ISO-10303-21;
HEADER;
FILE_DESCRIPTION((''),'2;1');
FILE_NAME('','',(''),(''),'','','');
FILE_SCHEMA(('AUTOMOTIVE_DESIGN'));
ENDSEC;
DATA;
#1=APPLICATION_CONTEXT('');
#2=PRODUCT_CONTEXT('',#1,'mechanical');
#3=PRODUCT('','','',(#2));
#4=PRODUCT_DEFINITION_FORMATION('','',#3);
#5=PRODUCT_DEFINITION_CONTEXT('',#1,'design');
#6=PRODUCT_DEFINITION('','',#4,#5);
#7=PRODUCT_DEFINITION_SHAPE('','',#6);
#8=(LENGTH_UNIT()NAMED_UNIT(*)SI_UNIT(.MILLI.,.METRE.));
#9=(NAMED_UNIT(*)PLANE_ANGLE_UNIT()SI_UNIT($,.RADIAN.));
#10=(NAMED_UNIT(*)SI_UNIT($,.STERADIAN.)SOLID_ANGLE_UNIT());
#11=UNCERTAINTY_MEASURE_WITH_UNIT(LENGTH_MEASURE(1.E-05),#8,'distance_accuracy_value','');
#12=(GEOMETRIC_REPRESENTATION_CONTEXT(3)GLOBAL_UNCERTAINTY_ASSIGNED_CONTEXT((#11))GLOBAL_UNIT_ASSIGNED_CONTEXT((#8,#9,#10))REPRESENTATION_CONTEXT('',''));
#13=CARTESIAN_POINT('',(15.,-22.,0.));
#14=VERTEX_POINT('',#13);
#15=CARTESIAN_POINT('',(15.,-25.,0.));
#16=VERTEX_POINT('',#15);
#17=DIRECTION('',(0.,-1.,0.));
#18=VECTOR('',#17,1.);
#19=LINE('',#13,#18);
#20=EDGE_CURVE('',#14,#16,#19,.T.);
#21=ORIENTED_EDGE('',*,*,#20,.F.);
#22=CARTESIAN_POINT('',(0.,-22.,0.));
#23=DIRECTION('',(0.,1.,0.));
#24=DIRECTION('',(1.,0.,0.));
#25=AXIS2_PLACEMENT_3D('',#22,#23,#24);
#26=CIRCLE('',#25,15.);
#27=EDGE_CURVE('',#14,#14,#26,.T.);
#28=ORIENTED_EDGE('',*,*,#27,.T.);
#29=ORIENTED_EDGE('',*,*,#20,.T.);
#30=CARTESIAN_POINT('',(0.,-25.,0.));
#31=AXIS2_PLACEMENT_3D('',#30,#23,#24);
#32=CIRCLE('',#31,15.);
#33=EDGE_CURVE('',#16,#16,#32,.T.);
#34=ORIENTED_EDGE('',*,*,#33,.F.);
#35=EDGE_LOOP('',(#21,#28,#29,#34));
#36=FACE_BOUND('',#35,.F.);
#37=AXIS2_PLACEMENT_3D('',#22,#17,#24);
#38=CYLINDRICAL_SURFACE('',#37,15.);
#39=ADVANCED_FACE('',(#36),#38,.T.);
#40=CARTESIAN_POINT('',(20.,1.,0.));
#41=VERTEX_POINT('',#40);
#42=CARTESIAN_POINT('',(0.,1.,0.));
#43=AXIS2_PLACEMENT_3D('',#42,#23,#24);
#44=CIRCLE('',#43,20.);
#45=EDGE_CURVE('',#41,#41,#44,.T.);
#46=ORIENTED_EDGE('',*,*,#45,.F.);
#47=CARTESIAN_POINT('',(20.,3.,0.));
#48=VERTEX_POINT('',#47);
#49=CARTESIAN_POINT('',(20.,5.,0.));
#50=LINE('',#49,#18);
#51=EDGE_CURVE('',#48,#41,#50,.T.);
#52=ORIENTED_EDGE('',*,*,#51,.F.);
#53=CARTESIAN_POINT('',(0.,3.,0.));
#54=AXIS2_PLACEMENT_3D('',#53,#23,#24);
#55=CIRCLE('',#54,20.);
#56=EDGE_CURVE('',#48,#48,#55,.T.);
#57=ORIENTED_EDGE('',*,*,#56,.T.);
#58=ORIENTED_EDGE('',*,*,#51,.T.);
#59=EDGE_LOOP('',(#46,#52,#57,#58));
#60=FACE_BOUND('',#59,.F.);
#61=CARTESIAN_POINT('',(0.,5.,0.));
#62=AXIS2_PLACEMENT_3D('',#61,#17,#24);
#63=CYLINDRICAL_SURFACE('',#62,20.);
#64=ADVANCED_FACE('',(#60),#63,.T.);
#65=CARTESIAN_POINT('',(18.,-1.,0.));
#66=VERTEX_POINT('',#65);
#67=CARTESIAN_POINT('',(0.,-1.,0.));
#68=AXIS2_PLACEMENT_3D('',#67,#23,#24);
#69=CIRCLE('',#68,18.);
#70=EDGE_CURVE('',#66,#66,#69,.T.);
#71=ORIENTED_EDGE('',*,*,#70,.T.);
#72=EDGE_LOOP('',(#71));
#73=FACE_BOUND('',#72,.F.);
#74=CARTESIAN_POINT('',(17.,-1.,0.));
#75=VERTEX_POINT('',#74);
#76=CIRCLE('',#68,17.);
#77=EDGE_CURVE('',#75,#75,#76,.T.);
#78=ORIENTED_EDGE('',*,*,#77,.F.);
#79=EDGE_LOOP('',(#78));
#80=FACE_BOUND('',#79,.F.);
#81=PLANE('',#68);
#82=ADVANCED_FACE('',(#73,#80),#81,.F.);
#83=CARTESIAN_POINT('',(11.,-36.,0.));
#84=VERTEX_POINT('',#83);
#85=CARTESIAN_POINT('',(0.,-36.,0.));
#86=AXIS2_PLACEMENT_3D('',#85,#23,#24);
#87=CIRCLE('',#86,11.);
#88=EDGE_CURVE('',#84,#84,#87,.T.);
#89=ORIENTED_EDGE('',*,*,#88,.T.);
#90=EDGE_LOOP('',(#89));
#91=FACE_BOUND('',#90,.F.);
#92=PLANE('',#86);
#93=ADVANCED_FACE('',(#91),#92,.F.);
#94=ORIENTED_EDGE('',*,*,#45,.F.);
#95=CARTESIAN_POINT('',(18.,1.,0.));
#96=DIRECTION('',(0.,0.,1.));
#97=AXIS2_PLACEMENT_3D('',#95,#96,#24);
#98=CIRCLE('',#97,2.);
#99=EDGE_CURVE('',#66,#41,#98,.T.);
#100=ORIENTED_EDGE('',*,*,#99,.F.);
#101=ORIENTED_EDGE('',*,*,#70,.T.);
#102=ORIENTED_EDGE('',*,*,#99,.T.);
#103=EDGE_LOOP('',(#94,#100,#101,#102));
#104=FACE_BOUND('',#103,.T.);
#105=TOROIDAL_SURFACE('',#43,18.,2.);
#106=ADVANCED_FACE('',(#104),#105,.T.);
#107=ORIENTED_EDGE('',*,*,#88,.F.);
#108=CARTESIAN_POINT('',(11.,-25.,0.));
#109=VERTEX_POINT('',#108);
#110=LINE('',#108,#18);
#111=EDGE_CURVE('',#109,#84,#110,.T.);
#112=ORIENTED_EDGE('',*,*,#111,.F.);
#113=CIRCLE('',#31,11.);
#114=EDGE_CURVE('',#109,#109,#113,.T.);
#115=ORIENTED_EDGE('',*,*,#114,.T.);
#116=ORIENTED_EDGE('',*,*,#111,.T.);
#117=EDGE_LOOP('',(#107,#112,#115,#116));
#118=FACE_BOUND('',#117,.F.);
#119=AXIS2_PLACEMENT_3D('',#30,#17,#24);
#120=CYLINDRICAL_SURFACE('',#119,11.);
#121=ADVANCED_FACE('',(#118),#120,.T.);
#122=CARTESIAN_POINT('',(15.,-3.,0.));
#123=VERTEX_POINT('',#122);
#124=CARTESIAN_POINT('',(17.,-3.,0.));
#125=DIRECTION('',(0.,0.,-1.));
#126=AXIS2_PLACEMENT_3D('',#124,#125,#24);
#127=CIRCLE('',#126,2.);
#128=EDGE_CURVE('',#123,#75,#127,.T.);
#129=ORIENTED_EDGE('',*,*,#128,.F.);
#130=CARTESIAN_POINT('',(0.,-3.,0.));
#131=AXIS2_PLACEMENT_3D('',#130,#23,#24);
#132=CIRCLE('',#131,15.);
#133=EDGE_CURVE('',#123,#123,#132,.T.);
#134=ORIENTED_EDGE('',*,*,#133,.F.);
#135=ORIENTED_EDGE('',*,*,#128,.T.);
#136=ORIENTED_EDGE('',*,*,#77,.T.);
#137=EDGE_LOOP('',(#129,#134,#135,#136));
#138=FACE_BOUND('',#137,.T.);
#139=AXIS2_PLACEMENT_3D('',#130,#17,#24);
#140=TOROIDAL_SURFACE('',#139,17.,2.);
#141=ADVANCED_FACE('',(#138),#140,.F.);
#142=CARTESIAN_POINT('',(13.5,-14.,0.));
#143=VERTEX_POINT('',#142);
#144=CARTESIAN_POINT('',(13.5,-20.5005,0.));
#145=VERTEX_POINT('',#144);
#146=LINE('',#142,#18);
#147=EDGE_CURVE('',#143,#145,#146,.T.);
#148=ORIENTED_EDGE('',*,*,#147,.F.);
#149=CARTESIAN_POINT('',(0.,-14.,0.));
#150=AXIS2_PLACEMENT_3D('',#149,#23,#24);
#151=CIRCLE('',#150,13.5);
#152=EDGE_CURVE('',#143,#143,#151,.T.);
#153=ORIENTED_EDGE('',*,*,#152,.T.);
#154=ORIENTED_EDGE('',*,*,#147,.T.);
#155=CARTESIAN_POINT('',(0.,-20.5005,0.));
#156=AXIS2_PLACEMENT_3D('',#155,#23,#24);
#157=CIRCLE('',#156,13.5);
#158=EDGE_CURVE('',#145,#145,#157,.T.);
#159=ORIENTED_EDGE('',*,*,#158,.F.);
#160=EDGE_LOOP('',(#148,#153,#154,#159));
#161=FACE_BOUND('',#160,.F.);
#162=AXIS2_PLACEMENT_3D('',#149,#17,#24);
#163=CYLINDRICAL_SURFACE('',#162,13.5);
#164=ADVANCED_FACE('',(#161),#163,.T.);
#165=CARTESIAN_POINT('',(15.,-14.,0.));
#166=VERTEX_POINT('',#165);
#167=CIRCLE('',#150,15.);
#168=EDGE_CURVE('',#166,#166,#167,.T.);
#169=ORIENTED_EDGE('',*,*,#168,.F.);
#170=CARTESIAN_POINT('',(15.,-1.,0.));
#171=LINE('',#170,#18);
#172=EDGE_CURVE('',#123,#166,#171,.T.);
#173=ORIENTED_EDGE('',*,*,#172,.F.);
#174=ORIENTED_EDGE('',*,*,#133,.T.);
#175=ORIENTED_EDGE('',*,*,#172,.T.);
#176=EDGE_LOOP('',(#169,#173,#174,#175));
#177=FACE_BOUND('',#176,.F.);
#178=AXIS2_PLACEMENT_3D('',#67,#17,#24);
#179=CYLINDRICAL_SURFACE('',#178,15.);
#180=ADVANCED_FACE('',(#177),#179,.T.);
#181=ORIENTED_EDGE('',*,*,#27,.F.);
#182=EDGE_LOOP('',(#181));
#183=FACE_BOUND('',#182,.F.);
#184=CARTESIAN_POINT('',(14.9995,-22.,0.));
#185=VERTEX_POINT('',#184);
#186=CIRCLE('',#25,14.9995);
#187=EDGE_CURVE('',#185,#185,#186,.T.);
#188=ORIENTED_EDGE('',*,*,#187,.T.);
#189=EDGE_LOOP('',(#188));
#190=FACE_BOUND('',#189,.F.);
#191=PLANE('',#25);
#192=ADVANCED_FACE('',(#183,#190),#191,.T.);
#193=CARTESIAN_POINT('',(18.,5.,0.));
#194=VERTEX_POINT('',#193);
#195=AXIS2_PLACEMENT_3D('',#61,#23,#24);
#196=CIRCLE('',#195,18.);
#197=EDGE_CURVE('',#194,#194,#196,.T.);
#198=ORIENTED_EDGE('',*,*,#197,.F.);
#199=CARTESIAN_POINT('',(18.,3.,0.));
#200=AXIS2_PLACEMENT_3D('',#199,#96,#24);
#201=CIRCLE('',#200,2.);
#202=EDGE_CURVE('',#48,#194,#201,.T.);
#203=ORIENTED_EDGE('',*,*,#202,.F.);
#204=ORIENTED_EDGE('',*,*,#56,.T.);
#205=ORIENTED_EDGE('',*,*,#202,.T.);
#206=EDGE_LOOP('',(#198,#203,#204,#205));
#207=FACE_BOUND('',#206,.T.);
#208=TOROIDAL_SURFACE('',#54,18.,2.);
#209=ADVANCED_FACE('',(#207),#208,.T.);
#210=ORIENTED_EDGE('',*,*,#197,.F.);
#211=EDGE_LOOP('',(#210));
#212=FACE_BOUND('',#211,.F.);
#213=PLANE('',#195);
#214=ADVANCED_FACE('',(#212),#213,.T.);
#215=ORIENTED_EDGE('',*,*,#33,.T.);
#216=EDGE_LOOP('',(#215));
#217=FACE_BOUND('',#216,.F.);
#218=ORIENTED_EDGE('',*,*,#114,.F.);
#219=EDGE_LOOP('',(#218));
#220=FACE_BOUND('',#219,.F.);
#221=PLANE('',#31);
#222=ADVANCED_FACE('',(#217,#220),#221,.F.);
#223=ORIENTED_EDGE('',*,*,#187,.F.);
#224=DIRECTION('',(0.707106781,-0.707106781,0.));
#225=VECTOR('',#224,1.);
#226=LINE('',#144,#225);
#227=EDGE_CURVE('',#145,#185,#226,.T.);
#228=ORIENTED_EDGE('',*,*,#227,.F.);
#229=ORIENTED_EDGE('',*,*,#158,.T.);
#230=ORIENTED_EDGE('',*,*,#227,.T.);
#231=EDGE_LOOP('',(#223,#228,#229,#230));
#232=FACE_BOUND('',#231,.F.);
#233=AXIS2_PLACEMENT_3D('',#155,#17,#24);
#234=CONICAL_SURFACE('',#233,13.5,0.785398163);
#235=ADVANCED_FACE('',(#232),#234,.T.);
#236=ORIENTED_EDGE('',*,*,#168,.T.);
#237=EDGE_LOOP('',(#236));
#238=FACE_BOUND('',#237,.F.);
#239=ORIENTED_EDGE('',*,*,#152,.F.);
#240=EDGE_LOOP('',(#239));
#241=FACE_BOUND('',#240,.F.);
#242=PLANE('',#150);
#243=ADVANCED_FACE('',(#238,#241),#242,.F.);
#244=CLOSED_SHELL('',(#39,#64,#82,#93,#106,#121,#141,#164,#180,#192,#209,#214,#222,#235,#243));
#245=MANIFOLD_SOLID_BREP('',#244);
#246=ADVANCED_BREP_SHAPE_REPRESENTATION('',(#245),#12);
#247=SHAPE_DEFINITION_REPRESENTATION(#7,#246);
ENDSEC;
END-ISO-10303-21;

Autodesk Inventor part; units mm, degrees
ref_plane "YZ Plane" through (0, 0, 0) normal (1, 0, 0) x (0, 1, 0)
ref_plane "XZ Plane" through (0, 0, 0) normal (0, 1, 0) x (-1, 0, 0)
ref_plane "XY Plane" through (0, 0, 0) normal (0, 0, 1) x (1, 0, 0)
sketch "Szkic1" plane through (0, 0, 0) normal (0, 0, 1) x (1, 0, 0)
  line L0 (0, 5) -> (20, 5)
  line L1 (20, 5) -> (20, -1)
  line L2 (20, -1) -> (15, -1)
  line L3 (15, -1) -> (15, -14)
  line L4 (15, -14) -> (13.5, -14)
  line L5 (13.5, -14) -> (13.5, -22)
  line L6 (13.5, -22) -> (15, -22)
  line L7 (15, -22) -> (15, -25)
  line L8 (15, -25) -> (11, -25)
  line L9 (11, -25) -> (11, -36)
  line L10 (11, -36) -> (0, -36)
  line L11 (0, -36) -> (0, 5)
  line L12 (0, -44.2) -> (0, 13.2) projected
  point P0 (0, 0)
  dimension "d0" = 20
  dimension "d1" = 6
  dimension "d2" = 5
  dimension "d3" = 13
  dimension "d4" = 1.5
  dimension "d5" = 8
  dimension "d6" = 3
  dimension "d7" = 1.5
  dimension "d8" = 4
  dimension "d9" = 11
revolve "Obrót1" add sketch "Szkic1" angle 360 about axis through (0, -10, 0) along (0, 1, 0)
chamfer "Faza1" distance 1.5 angle 45 1 edges at (-13.5, -22, 0)
fillet "Zaokrąglenie1" radius 2 3 edges at (-20, 5, 0) (-20, -1, 0) (-15, -1, 0)
properties part number "COTS_GENERIC_22mm_Safety_Switch"
